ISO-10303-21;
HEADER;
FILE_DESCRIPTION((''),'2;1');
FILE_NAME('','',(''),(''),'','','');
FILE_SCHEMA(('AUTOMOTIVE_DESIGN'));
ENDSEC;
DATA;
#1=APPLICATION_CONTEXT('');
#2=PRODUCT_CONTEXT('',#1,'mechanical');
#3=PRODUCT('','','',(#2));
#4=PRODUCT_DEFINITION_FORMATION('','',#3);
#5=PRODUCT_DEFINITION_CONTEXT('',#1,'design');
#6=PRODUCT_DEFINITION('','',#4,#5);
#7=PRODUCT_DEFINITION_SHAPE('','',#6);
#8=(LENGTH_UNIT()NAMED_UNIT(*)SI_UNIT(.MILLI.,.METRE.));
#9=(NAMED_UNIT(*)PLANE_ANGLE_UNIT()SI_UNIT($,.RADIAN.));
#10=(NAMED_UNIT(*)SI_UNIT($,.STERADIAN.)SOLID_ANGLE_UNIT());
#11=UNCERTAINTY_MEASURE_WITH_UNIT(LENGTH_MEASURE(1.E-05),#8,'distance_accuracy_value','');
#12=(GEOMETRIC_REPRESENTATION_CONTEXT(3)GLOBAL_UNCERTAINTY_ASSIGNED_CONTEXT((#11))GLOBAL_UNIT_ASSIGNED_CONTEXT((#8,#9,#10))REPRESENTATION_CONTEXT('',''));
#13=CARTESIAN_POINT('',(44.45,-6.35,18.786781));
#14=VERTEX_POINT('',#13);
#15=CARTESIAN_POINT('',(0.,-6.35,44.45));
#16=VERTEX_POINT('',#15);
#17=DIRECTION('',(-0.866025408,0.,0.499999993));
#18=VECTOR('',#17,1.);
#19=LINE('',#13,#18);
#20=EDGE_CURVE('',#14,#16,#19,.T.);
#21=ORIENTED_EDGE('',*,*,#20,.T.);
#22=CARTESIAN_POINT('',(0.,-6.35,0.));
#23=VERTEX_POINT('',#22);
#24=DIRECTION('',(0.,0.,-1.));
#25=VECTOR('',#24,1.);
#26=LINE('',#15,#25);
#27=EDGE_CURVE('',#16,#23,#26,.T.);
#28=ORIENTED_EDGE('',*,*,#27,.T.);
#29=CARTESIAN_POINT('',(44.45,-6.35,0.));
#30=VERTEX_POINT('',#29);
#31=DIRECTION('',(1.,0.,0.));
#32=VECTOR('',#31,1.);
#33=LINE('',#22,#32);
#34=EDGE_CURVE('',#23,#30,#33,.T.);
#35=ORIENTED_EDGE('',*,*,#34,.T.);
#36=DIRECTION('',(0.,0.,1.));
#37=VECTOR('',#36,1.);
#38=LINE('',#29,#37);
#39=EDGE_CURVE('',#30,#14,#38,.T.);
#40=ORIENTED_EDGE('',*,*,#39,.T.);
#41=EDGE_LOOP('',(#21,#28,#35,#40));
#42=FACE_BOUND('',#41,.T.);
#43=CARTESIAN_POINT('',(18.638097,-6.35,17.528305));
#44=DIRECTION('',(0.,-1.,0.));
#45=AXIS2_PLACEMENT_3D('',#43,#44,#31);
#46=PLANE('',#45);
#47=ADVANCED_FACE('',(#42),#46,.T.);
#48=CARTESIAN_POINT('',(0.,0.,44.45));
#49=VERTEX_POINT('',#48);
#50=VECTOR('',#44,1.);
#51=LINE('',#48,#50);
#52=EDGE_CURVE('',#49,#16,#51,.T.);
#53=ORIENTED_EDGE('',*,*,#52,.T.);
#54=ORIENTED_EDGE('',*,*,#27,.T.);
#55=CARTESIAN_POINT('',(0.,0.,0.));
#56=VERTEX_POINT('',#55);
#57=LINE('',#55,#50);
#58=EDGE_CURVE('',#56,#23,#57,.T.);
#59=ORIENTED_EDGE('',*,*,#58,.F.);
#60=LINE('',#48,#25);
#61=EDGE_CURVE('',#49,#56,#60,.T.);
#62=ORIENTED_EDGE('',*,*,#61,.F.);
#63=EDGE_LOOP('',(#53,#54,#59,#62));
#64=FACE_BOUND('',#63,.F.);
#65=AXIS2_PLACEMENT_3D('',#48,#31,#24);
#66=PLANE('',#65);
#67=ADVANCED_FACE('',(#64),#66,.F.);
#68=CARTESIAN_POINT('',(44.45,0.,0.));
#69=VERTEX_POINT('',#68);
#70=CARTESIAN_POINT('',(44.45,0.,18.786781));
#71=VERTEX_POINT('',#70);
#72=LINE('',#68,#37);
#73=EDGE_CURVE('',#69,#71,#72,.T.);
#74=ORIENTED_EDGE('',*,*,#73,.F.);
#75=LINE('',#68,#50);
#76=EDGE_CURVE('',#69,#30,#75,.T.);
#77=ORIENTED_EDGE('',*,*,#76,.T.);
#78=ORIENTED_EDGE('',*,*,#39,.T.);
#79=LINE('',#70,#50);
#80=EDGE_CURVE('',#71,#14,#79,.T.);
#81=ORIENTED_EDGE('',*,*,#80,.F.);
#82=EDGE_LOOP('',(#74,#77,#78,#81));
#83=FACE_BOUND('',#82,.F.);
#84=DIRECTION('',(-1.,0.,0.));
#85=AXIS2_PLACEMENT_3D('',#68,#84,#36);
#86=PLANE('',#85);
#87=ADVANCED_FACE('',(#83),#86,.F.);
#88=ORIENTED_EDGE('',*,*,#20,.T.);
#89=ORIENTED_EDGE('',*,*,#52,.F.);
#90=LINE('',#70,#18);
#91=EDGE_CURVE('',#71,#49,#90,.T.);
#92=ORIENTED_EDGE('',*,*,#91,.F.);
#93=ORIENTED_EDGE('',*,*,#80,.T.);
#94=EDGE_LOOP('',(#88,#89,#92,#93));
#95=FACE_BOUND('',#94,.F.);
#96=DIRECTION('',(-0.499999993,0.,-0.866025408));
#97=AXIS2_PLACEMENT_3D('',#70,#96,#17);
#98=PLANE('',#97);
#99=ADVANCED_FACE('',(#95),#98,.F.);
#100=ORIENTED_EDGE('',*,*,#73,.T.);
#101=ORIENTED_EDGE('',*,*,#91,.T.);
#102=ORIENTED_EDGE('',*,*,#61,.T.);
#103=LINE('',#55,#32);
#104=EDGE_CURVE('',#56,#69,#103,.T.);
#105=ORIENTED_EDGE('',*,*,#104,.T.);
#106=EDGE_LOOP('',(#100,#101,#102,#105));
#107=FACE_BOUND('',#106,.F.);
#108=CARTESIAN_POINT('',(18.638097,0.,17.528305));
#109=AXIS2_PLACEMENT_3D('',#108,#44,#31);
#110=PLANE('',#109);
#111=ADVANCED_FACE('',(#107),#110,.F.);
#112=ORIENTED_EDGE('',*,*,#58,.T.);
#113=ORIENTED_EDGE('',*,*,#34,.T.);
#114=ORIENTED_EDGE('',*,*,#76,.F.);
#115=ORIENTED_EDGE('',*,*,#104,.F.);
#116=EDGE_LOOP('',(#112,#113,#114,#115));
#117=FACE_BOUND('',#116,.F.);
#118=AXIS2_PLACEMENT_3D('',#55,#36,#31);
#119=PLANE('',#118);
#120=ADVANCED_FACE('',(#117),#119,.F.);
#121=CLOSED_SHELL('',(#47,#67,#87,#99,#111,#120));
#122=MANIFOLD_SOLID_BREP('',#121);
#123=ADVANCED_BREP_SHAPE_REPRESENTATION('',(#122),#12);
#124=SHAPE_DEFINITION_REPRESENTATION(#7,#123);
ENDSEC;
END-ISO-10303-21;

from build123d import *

# Parameters (mm, degrees)
PAD_DEPTH = 6.35


with BuildPart() as part:
    # Sketch → Pad (new body)
    with BuildSketch(Plane.XZ):
        Polygon((0, 0), (44.45, 0), (44.45, 18.786781), (0, 44.45), align=None)
    extrude(amount=PAD_DEPTH)


solid = part.part
